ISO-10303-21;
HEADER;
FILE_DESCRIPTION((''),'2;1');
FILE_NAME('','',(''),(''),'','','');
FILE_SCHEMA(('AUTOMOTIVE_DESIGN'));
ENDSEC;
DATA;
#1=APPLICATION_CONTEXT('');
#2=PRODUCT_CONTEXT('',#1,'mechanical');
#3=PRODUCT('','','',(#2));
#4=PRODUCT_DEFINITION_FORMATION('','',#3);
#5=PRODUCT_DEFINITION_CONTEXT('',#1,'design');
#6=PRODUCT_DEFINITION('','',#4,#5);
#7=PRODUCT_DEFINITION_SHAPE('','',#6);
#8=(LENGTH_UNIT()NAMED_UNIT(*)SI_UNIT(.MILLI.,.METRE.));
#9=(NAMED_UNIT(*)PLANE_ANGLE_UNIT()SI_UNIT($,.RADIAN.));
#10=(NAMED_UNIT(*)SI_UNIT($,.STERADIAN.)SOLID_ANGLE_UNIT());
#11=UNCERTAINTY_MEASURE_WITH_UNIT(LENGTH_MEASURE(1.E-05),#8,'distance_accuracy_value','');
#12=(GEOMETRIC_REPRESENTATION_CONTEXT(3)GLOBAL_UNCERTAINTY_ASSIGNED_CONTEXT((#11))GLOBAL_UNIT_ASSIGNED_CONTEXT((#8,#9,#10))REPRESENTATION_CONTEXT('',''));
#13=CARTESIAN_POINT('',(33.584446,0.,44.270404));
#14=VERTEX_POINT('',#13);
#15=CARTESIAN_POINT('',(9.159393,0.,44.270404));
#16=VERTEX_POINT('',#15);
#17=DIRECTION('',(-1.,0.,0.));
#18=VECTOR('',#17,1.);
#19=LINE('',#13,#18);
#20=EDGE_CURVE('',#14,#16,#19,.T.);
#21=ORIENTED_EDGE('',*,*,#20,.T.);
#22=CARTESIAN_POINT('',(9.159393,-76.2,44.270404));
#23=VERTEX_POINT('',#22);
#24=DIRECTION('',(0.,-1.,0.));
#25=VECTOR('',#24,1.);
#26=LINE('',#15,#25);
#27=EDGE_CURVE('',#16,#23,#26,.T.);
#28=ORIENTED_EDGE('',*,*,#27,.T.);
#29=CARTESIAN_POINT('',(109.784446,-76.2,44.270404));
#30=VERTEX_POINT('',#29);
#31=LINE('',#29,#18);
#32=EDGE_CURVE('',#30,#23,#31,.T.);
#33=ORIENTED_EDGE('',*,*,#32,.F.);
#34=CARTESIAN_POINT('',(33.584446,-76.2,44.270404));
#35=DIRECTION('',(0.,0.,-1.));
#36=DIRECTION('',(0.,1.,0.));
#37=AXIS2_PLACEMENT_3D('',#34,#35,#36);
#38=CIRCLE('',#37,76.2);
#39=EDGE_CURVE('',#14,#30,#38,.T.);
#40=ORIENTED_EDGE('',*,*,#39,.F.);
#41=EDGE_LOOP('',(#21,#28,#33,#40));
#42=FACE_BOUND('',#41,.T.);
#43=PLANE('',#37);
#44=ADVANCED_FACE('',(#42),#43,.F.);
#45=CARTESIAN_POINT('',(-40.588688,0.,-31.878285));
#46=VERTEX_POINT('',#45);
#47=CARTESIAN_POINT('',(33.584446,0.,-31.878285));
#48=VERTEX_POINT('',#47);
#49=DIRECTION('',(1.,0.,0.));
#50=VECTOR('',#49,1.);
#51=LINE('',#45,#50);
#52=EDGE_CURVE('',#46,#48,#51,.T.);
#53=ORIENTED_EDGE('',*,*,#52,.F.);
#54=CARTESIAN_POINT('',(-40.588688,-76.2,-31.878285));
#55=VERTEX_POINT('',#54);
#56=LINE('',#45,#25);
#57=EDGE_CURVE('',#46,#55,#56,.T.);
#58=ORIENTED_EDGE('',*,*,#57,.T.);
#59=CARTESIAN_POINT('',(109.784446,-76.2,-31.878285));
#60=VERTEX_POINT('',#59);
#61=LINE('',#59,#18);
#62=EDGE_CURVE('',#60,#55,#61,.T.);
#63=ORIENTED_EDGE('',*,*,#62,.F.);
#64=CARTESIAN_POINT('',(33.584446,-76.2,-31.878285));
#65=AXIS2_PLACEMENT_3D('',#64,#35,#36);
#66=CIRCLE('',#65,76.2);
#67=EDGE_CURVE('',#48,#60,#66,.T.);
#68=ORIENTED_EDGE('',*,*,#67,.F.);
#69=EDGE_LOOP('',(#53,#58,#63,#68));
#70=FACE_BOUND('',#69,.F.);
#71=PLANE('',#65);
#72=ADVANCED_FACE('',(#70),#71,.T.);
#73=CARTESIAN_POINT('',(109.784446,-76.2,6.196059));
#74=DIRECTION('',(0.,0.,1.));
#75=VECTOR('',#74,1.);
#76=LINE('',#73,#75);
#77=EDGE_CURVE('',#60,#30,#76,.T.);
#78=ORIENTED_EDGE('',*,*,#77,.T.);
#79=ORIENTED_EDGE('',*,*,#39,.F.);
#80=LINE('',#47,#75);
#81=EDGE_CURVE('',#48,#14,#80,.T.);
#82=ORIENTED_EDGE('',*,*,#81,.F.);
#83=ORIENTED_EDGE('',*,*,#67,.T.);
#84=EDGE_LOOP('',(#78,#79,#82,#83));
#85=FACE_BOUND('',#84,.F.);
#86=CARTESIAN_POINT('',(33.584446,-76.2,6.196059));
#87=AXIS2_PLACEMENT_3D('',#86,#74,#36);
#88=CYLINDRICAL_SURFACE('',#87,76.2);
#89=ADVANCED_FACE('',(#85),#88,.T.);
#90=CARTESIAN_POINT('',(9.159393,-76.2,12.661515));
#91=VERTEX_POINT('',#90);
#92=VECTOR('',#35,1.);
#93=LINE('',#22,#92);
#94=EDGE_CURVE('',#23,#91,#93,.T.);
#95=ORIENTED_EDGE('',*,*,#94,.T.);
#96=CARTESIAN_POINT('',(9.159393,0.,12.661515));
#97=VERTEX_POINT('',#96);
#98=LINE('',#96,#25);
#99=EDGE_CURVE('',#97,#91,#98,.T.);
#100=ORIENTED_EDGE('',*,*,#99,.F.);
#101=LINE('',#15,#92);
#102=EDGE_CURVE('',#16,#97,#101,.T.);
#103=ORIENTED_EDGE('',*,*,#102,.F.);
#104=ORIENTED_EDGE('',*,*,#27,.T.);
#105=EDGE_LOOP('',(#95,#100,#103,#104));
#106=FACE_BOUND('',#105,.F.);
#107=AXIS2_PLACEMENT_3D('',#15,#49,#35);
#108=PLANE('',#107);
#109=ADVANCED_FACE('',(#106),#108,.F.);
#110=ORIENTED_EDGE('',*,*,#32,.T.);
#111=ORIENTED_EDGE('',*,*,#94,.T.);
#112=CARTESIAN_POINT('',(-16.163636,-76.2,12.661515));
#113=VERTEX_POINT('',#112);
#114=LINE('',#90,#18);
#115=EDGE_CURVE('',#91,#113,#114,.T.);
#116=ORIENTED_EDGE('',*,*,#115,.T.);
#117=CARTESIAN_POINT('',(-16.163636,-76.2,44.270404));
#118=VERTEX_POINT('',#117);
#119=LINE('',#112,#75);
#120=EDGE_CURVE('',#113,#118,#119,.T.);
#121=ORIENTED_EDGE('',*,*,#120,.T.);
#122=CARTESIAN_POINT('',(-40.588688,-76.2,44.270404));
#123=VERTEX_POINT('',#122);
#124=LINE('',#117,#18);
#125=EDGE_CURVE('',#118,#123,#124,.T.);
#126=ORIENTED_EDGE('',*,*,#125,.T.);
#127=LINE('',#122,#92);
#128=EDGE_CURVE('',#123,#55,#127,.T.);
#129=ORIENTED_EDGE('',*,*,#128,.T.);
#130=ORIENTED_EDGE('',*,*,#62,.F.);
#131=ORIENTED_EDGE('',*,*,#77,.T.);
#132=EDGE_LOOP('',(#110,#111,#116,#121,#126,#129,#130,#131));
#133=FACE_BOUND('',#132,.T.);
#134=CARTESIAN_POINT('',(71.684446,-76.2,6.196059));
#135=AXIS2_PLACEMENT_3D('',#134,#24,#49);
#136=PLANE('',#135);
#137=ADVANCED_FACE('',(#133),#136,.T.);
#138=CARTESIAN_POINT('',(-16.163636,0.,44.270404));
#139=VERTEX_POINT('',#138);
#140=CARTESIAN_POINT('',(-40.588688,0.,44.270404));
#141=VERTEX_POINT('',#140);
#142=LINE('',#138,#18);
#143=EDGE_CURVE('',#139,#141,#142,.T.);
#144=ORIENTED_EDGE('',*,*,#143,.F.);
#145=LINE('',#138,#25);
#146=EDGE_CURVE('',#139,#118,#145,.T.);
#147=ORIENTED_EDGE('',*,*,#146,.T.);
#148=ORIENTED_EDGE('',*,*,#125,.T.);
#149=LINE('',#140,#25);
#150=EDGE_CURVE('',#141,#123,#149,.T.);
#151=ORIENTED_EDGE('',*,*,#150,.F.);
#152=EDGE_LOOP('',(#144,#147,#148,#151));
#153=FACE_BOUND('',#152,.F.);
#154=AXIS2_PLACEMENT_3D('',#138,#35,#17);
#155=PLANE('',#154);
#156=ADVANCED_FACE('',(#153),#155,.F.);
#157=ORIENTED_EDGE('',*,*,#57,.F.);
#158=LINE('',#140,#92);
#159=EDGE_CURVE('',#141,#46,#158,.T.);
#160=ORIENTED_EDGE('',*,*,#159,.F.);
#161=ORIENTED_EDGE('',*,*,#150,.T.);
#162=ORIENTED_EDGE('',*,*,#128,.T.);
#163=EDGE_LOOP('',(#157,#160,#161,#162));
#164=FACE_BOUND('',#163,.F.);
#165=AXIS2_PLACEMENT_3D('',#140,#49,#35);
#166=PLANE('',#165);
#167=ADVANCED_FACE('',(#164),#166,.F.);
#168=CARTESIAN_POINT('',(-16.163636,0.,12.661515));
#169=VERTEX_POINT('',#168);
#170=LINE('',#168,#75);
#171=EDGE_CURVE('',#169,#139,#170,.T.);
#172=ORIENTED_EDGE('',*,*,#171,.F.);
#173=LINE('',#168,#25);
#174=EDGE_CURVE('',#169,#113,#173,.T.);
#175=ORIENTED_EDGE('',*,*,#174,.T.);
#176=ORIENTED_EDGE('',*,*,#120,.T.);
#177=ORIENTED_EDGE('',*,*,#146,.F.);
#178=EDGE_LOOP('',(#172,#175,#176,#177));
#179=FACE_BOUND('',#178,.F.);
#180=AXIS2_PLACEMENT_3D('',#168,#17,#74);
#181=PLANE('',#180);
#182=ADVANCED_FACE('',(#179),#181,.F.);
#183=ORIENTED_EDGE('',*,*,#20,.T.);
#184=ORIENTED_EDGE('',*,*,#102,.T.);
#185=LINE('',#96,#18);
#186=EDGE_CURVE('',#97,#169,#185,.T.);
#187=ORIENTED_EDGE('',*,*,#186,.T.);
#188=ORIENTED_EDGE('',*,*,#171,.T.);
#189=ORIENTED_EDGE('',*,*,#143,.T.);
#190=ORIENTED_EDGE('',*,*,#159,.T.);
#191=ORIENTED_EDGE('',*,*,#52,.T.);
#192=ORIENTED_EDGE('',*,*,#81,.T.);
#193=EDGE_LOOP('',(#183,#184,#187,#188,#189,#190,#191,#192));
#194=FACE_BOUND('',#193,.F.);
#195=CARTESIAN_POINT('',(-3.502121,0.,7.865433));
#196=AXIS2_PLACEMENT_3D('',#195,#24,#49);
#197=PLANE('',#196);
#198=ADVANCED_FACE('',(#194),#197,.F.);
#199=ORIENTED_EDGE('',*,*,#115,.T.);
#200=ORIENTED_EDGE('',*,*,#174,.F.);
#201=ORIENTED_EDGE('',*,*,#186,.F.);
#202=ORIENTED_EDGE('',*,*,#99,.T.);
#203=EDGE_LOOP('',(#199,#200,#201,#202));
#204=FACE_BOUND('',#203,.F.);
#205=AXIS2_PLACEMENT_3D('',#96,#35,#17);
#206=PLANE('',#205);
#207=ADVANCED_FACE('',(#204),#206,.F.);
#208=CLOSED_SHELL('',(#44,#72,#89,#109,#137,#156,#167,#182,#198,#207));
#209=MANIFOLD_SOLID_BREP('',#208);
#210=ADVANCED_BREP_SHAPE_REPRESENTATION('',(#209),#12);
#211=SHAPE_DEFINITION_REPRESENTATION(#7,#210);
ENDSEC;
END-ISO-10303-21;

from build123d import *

# Parameters (mm, degrees)
F1_DEPTH  = 76.2
F1_FACE_W = 76.2
F1_FACE_H = 76.1486887932
F2_ANGLE  = 90


with BuildPart() as f1:
    # F0 (on Front) → F1 (new body)
    with BuildSketch(Plane.XZ):
        Polygon((-16.163635999, 44.2704036832), (-40.5886881053, 44.2704036832), (-40.5886881053, -31.87828511), (33.584445715, -31.87828511), (33.584445715, 44.2704036832), (9.1593926772, 44.2704036832), (9.1593926772, 12.6615148038), (-16.163635999, 12.6615148038), align=None)
    extrude(amount=F1_DEPTH)

    # F1_face (on face) → F2 (revolve)
    with BuildSketch(Plane(origin=(33.584445715, -38.1, 6.1960592866), x_dir=(0, 1, 0), z_dir=(1, 0, 0))):
        Rectangle(F1_FACE_W, F1_FACE_H)
    revolve(axis=Axis((33.584445715, -76.2, 6.1960592866), (0, 0, -1)), revolution_arc=F2_ANGLE)


solid = f1.part
